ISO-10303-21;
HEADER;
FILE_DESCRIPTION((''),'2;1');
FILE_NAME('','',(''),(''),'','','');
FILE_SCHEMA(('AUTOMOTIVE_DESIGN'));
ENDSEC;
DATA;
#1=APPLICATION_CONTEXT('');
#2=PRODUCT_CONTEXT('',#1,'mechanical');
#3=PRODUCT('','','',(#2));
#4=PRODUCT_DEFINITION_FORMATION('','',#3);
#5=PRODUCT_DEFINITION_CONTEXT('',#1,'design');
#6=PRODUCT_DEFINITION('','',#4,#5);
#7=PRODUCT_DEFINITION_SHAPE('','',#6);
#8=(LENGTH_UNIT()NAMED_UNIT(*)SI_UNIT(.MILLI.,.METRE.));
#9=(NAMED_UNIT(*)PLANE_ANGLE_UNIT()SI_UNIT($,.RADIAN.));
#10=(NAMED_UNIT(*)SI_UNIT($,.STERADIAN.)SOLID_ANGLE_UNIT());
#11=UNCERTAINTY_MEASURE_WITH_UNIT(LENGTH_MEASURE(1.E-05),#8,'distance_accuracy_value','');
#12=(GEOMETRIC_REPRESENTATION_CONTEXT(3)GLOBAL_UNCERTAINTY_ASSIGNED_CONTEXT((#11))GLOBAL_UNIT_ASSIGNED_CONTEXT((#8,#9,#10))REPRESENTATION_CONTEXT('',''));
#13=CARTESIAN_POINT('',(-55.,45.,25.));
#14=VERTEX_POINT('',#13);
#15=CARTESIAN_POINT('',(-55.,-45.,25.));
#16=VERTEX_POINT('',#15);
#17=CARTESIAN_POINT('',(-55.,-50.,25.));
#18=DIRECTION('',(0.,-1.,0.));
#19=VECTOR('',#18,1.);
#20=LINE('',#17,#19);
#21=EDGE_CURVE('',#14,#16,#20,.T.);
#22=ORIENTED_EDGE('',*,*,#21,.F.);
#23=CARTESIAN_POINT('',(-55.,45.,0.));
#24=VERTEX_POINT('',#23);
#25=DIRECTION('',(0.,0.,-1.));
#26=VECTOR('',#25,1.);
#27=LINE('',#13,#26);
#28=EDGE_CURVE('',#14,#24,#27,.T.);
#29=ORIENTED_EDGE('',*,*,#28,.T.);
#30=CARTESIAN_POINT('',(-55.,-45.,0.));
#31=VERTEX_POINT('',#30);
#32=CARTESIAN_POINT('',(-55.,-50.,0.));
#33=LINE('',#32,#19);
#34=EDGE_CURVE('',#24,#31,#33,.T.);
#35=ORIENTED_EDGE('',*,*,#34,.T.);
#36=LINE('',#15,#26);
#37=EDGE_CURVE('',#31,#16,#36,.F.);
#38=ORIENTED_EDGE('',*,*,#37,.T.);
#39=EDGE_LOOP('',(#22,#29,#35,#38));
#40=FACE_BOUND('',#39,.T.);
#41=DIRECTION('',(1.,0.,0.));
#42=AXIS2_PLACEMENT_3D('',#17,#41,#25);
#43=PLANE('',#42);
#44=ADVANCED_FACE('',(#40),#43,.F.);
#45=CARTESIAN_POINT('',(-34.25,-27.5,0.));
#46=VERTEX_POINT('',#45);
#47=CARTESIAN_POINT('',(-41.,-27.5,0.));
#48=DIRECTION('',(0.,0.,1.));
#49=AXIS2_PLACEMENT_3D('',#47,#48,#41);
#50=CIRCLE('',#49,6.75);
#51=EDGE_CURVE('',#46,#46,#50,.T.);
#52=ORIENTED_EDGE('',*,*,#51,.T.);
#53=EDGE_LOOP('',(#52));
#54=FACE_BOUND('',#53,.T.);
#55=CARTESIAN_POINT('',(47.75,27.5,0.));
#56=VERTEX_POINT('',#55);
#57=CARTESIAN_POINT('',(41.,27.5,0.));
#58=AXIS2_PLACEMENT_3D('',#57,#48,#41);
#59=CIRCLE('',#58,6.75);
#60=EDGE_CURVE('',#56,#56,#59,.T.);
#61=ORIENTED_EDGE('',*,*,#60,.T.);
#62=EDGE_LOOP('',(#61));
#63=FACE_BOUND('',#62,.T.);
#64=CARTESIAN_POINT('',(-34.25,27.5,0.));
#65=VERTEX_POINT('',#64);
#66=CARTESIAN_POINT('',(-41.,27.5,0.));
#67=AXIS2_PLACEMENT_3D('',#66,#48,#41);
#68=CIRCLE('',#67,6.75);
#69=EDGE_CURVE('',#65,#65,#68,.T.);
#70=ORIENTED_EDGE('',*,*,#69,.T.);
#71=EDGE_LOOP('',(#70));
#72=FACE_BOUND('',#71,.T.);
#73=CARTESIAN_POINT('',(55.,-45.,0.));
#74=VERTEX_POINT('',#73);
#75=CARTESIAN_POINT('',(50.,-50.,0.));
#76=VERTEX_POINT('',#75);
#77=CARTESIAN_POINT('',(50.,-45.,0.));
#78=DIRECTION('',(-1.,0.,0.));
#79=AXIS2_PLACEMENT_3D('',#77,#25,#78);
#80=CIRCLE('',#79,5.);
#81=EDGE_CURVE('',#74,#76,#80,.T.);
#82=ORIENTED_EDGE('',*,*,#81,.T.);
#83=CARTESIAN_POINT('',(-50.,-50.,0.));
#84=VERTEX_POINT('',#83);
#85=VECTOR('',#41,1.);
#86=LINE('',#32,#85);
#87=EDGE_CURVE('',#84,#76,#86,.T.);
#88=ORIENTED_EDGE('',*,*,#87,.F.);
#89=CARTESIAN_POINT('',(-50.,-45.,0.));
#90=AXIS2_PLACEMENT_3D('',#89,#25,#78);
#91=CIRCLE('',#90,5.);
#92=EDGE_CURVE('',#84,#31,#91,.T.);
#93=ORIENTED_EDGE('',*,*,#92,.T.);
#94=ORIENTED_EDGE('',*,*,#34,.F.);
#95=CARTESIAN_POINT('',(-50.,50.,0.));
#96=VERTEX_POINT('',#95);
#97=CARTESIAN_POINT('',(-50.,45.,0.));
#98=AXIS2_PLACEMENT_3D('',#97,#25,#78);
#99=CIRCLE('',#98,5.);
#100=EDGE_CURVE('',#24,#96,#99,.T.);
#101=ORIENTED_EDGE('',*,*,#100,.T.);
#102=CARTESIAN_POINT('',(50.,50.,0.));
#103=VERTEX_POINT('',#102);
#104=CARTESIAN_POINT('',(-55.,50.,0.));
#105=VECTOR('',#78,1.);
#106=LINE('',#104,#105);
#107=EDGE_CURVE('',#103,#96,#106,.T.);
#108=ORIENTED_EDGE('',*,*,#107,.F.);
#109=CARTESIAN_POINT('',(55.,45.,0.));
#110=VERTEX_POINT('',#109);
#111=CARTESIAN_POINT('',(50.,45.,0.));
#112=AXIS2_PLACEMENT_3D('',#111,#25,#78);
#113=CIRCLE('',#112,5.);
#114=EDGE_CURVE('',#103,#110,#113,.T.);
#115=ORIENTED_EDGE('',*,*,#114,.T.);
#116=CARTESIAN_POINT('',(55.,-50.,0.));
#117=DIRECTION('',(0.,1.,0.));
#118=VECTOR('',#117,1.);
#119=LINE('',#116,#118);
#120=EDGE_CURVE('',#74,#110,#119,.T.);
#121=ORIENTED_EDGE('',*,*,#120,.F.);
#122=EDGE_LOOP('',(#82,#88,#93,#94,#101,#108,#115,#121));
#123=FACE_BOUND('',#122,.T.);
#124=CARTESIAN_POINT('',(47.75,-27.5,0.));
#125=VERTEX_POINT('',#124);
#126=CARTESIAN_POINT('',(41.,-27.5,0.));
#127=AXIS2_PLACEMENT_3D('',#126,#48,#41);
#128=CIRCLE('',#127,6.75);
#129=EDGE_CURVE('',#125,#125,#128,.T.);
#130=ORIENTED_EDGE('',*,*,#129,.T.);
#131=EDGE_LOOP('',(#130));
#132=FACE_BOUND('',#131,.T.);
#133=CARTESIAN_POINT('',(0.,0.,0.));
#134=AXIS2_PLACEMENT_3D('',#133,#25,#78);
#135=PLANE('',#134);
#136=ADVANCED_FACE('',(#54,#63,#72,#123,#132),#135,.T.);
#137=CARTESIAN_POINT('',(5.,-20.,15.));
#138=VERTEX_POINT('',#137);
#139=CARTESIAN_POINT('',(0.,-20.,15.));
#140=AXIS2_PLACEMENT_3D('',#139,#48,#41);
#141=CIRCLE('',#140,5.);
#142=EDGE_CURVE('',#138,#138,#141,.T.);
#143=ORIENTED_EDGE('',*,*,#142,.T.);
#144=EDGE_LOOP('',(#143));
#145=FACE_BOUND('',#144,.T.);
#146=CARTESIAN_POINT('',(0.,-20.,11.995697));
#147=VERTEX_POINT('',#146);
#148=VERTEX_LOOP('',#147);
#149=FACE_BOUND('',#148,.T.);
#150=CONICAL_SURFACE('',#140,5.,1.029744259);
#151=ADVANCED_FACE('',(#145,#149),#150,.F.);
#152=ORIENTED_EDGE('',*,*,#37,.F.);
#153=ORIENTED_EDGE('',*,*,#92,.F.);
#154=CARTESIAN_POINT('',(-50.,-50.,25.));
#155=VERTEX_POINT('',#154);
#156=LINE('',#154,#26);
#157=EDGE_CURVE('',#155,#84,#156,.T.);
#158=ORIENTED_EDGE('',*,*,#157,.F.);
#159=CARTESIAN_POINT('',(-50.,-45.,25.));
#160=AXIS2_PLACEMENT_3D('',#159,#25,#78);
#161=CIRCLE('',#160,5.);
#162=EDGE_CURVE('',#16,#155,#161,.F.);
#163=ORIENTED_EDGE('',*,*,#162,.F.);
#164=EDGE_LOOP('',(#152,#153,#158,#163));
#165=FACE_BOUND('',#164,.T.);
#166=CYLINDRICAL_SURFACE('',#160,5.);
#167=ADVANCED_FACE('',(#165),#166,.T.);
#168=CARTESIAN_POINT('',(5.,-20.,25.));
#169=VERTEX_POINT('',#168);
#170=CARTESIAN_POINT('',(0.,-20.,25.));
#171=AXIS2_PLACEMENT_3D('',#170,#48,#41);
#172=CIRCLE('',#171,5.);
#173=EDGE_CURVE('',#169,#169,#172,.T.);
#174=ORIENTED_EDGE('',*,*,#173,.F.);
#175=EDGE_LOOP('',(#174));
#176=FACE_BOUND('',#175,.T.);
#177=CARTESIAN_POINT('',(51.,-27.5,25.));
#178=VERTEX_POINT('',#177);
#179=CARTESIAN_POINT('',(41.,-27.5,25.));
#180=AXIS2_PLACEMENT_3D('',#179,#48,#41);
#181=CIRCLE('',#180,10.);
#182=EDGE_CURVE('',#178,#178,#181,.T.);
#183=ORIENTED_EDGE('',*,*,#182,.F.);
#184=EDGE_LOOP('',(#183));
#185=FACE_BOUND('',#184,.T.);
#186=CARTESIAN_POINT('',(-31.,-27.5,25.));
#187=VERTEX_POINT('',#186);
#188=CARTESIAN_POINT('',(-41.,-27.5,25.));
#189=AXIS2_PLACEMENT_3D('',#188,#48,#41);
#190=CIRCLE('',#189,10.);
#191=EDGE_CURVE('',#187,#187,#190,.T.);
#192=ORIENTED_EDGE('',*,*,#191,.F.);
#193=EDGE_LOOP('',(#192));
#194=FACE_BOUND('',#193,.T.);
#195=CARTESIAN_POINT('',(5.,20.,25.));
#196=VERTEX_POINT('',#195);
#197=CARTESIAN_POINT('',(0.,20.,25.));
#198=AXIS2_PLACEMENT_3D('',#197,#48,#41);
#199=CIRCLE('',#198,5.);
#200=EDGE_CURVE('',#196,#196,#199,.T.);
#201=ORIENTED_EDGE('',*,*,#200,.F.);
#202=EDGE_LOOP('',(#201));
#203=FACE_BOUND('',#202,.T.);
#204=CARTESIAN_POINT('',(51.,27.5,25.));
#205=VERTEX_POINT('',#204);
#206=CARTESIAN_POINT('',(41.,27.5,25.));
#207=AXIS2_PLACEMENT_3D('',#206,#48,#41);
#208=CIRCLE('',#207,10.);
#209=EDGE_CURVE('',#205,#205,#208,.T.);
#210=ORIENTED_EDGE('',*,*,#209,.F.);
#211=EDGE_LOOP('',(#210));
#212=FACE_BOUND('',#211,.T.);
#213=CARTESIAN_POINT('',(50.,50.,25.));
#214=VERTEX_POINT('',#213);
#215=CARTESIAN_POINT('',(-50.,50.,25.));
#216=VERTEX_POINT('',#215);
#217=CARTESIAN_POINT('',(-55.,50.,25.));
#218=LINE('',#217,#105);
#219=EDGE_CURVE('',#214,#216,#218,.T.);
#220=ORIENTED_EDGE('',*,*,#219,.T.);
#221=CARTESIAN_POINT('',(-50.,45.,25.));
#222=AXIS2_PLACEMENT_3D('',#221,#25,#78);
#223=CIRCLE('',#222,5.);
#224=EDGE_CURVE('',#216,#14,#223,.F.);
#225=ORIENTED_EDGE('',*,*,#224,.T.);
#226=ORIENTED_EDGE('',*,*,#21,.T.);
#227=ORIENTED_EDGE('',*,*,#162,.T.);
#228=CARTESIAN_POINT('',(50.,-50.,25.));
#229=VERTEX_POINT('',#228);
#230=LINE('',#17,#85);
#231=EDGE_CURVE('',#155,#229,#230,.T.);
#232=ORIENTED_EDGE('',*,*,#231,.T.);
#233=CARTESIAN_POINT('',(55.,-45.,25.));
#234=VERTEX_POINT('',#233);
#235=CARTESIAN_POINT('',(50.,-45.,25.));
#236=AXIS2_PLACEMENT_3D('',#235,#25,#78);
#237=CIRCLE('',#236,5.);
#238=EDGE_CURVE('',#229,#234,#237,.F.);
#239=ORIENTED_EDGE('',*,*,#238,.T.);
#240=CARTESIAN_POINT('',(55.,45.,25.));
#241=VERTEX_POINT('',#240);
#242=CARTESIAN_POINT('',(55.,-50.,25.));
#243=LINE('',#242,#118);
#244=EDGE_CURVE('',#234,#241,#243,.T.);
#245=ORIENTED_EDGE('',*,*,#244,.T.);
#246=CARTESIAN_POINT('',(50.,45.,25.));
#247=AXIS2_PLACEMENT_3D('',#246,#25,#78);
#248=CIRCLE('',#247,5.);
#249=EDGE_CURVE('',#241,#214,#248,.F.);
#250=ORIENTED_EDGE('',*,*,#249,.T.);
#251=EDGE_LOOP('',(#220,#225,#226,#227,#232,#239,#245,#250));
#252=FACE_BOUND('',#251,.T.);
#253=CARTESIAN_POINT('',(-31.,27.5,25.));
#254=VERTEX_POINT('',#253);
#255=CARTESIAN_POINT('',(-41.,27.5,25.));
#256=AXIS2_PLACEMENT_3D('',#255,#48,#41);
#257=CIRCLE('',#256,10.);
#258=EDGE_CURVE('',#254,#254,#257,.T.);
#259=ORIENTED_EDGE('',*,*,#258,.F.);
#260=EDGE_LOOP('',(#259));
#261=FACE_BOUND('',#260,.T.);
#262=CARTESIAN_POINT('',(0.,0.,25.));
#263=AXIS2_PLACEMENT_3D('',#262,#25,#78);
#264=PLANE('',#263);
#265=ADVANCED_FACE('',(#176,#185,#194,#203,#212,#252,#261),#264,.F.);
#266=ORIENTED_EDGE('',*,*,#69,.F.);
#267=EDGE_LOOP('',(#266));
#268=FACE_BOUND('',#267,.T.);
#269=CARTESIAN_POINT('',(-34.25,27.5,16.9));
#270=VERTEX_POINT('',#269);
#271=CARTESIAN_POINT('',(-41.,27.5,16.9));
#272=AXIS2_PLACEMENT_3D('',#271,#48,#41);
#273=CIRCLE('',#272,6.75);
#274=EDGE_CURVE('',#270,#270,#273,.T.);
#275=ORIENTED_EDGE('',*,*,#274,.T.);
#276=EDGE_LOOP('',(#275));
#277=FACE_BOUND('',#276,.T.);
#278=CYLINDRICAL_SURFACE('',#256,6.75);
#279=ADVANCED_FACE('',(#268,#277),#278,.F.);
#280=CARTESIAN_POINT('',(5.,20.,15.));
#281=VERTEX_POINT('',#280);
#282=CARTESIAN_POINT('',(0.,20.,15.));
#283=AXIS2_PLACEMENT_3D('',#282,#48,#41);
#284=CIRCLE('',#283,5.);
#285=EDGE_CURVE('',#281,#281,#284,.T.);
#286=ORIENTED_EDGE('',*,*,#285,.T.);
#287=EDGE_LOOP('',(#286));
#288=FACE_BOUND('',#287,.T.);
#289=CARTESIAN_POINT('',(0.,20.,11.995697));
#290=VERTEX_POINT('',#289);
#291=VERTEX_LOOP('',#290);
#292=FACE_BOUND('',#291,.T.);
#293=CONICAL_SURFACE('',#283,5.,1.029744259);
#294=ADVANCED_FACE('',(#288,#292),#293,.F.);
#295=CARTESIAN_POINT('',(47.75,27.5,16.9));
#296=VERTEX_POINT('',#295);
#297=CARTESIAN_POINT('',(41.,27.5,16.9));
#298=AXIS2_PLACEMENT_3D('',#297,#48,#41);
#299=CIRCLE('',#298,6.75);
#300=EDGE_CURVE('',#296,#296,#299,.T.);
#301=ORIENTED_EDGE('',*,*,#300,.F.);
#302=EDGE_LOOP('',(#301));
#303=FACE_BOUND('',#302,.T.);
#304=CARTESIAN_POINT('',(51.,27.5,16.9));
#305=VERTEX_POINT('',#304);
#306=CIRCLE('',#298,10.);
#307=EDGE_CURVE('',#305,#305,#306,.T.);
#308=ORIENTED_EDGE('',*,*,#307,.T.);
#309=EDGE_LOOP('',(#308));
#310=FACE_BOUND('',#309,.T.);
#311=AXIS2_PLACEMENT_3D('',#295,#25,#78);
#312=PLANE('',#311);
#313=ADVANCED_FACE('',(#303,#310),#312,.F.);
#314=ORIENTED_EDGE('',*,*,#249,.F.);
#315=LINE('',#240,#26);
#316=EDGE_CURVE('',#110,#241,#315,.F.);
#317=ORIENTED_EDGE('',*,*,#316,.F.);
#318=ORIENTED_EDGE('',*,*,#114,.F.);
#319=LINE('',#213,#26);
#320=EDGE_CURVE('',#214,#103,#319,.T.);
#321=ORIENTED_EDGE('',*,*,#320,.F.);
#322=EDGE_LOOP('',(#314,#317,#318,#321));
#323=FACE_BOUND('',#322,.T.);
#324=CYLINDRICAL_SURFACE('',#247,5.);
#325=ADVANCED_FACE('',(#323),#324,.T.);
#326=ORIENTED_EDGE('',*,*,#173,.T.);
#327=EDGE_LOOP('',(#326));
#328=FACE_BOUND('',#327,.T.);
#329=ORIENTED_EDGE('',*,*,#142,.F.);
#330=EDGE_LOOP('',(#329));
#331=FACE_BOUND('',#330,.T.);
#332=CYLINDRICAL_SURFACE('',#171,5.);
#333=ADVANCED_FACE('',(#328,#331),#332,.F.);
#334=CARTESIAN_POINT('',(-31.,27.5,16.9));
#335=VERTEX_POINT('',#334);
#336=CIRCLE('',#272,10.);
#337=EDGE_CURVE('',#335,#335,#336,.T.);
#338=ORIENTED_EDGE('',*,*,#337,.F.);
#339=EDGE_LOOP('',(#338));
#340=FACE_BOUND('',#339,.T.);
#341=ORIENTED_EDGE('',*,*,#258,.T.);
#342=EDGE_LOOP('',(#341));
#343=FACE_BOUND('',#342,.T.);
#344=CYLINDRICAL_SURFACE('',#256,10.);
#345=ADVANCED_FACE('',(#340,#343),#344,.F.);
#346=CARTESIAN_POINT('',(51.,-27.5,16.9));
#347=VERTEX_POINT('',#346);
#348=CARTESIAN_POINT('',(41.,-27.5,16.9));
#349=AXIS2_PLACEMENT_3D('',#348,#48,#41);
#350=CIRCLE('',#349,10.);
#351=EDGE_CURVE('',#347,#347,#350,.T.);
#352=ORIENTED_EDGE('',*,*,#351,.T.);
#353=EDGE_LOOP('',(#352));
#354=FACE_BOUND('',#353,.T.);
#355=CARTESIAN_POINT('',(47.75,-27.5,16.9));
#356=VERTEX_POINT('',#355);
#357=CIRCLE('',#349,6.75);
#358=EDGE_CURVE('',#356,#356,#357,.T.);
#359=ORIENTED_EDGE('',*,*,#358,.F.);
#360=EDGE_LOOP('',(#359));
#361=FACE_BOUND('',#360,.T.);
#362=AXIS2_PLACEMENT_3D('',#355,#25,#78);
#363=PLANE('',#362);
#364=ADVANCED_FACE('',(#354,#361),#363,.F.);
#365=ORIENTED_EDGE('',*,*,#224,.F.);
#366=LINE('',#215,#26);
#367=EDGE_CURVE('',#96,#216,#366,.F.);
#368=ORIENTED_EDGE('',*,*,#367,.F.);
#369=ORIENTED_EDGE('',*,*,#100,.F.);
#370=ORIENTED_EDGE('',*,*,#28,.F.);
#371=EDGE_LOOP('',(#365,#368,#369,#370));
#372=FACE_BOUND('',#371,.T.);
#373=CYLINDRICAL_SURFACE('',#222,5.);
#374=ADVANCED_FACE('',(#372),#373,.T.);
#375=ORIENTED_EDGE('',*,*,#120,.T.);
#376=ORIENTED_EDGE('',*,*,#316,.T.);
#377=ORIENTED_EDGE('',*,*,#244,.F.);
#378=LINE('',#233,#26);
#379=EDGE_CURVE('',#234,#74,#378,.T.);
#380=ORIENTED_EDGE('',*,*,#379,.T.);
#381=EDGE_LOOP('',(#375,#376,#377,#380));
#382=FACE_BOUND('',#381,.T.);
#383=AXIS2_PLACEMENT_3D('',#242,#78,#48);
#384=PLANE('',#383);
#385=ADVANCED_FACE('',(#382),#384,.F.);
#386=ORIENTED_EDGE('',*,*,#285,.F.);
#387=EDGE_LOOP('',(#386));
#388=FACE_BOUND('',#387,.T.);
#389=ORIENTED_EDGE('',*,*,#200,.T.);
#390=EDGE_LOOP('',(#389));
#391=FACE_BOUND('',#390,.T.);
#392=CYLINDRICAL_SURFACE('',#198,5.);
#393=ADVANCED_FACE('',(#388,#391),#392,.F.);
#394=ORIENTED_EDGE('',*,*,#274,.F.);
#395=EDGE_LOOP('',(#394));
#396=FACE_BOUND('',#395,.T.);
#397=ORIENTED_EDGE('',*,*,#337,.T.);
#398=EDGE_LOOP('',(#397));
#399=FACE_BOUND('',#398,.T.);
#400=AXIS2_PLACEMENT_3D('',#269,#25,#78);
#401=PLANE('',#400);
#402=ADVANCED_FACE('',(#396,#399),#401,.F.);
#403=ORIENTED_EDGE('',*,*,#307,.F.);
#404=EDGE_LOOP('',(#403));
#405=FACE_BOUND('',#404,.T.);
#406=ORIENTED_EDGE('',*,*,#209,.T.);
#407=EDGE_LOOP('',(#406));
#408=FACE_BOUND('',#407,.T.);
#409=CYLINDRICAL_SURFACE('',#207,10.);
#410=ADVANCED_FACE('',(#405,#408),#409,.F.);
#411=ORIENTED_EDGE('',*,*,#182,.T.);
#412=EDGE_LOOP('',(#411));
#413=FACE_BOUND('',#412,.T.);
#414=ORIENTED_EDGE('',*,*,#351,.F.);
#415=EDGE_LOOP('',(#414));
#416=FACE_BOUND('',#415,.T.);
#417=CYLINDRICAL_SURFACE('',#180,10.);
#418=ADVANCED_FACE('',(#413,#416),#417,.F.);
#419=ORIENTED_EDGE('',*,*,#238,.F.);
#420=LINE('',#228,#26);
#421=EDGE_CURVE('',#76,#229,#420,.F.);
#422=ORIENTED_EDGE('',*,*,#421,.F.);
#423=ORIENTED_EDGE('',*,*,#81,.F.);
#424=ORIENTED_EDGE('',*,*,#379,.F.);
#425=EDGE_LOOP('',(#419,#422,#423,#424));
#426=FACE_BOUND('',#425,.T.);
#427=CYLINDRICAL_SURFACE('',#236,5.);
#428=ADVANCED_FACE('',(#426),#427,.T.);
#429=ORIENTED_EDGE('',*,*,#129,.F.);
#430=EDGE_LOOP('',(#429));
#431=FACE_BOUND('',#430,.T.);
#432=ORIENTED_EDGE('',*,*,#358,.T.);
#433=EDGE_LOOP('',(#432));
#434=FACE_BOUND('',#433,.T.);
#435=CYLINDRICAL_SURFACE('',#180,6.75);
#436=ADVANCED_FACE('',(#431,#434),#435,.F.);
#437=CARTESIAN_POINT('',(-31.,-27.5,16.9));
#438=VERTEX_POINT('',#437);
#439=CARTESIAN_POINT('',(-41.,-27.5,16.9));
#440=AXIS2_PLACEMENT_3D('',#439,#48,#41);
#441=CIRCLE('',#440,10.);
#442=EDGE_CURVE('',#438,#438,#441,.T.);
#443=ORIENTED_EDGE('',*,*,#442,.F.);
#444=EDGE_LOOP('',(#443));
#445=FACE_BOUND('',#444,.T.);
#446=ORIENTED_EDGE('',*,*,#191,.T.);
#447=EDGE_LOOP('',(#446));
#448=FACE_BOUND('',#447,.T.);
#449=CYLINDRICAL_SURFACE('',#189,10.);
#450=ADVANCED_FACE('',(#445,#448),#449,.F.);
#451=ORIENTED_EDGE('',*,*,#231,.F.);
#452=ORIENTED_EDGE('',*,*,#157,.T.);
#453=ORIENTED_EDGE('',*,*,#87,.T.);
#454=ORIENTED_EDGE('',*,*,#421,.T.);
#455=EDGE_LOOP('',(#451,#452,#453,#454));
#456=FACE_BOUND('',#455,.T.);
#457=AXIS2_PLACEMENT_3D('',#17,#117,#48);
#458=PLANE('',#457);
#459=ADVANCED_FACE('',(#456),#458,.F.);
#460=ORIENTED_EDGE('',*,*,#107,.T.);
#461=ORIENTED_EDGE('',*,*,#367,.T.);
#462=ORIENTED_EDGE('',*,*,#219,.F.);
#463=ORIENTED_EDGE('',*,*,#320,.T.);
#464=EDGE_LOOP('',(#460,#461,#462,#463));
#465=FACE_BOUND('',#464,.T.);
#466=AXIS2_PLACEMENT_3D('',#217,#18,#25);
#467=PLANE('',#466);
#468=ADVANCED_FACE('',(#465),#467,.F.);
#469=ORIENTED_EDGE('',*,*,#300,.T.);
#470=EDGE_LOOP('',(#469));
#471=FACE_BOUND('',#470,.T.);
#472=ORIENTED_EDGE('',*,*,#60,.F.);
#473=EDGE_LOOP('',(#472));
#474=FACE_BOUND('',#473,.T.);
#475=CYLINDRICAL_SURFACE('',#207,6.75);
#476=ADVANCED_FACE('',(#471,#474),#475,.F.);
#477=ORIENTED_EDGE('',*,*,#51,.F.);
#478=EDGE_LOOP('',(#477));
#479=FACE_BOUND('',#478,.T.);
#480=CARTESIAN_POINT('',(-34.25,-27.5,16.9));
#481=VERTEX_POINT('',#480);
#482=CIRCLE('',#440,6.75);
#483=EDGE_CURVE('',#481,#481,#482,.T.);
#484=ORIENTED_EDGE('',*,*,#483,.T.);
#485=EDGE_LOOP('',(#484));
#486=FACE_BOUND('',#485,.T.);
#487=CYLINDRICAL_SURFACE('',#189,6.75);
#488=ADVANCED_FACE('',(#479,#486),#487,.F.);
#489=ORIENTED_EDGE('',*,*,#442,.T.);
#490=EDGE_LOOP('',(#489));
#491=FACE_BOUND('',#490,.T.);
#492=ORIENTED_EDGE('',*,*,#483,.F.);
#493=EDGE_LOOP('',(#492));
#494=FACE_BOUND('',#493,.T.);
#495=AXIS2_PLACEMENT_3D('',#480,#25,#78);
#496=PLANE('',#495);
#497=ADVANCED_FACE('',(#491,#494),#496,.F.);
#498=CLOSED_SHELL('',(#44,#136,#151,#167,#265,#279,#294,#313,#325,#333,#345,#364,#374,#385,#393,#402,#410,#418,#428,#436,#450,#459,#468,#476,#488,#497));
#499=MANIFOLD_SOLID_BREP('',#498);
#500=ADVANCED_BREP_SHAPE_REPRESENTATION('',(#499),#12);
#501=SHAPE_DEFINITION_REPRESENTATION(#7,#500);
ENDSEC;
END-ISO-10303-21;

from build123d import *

# Parameters (mm, degrees)
SKIZZE1_W                                            = 110
SKIZZE1_H                                            = 100
AUFSATZ_LINEAR_AUSTRAGEN1_DEPTH                      = 25
VERRUNDUNG1_R                                        = 5
STIRNSENKUNG_F_R_M12_ZYLINDERSCHRAUBE_MI_D           = 13.5
STIRNSENKUNG_F_R_M12_ZYLINDERSCHRAUBE_MI_CBORE_D     = 20
STIRNSENKUNG_F_R_M12_ZYLINDERSCHRAUBE_MI_CBORE_DEPTH = 8.1
F_10_0MM_STIFTLOCH1_D                                = 10
F_10_0MM_STIFTLOCH1_DEPTH                            = 10
F_10_0MM_STIFTLOCH1_TIP                              = 3.004303095


with BuildPart() as part:
    # Skizze1 → Aufsatz-Linear austragen1 (new body)
    with BuildSketch(Plane.XY):
        Rectangle(SKIZZE1_W, SKIZZE1_H)
    extrude(amount=AUFSATZ_LINEAR_AUSTRAGEN1_DEPTH)

    # Verrundung1
    verrundung1_edges = [part.edges().sort_by_distance(p)[0] for p in [
        (55, -50, 12.5),
        (-55, -50, 12.5),
        (-55, 50, 12.5),
        (55, 50, 12.5),
    ]]
    fillet(verrundung1_edges, radius=VERRUNDUNG1_R)

    # Stirnsenkung für M12 Zylinderschraube mit Innensechskant1 (through all)
    with Locations(Plane.XY.offset(25)):
        with Locations((-41, 27.5), (41, 27.5), (41, -27.5), (-41, -27.5)):
            CounterBoreHole(STIRNSENKUNG_F_R_M12_ZYLINDERSCHRAUBE_MI_D / 2, STIRNSENKUNG_F_R_M12_ZYLINDERSCHRAUBE_MI_CBORE_D / 2, STIRNSENKUNG_F_R_M12_ZYLINDERSCHRAUBE_MI_CBORE_DEPTH)

    # Ø10.0mm Stiftloch1
    with Locations(Plane.XY.offset(25)):
        with Locations((0, 20), (0, -20)):
            Hole(F_10_0MM_STIFTLOCH1_D / 2, depth=F_10_0MM_STIFTLOCH1_DEPTH)
            with Locations((0, 0, -(F_10_0MM_STIFTLOCH1_DEPTH + F_10_0MM_STIFTLOCH1_TIP / 2))):  # 118° drill point
                Cone(0, F_10_0MM_STIFTLOCH1_D / 2, F_10_0MM_STIFTLOCH1_TIP, mode=Mode.SUBTRACT)


solid = part.part
